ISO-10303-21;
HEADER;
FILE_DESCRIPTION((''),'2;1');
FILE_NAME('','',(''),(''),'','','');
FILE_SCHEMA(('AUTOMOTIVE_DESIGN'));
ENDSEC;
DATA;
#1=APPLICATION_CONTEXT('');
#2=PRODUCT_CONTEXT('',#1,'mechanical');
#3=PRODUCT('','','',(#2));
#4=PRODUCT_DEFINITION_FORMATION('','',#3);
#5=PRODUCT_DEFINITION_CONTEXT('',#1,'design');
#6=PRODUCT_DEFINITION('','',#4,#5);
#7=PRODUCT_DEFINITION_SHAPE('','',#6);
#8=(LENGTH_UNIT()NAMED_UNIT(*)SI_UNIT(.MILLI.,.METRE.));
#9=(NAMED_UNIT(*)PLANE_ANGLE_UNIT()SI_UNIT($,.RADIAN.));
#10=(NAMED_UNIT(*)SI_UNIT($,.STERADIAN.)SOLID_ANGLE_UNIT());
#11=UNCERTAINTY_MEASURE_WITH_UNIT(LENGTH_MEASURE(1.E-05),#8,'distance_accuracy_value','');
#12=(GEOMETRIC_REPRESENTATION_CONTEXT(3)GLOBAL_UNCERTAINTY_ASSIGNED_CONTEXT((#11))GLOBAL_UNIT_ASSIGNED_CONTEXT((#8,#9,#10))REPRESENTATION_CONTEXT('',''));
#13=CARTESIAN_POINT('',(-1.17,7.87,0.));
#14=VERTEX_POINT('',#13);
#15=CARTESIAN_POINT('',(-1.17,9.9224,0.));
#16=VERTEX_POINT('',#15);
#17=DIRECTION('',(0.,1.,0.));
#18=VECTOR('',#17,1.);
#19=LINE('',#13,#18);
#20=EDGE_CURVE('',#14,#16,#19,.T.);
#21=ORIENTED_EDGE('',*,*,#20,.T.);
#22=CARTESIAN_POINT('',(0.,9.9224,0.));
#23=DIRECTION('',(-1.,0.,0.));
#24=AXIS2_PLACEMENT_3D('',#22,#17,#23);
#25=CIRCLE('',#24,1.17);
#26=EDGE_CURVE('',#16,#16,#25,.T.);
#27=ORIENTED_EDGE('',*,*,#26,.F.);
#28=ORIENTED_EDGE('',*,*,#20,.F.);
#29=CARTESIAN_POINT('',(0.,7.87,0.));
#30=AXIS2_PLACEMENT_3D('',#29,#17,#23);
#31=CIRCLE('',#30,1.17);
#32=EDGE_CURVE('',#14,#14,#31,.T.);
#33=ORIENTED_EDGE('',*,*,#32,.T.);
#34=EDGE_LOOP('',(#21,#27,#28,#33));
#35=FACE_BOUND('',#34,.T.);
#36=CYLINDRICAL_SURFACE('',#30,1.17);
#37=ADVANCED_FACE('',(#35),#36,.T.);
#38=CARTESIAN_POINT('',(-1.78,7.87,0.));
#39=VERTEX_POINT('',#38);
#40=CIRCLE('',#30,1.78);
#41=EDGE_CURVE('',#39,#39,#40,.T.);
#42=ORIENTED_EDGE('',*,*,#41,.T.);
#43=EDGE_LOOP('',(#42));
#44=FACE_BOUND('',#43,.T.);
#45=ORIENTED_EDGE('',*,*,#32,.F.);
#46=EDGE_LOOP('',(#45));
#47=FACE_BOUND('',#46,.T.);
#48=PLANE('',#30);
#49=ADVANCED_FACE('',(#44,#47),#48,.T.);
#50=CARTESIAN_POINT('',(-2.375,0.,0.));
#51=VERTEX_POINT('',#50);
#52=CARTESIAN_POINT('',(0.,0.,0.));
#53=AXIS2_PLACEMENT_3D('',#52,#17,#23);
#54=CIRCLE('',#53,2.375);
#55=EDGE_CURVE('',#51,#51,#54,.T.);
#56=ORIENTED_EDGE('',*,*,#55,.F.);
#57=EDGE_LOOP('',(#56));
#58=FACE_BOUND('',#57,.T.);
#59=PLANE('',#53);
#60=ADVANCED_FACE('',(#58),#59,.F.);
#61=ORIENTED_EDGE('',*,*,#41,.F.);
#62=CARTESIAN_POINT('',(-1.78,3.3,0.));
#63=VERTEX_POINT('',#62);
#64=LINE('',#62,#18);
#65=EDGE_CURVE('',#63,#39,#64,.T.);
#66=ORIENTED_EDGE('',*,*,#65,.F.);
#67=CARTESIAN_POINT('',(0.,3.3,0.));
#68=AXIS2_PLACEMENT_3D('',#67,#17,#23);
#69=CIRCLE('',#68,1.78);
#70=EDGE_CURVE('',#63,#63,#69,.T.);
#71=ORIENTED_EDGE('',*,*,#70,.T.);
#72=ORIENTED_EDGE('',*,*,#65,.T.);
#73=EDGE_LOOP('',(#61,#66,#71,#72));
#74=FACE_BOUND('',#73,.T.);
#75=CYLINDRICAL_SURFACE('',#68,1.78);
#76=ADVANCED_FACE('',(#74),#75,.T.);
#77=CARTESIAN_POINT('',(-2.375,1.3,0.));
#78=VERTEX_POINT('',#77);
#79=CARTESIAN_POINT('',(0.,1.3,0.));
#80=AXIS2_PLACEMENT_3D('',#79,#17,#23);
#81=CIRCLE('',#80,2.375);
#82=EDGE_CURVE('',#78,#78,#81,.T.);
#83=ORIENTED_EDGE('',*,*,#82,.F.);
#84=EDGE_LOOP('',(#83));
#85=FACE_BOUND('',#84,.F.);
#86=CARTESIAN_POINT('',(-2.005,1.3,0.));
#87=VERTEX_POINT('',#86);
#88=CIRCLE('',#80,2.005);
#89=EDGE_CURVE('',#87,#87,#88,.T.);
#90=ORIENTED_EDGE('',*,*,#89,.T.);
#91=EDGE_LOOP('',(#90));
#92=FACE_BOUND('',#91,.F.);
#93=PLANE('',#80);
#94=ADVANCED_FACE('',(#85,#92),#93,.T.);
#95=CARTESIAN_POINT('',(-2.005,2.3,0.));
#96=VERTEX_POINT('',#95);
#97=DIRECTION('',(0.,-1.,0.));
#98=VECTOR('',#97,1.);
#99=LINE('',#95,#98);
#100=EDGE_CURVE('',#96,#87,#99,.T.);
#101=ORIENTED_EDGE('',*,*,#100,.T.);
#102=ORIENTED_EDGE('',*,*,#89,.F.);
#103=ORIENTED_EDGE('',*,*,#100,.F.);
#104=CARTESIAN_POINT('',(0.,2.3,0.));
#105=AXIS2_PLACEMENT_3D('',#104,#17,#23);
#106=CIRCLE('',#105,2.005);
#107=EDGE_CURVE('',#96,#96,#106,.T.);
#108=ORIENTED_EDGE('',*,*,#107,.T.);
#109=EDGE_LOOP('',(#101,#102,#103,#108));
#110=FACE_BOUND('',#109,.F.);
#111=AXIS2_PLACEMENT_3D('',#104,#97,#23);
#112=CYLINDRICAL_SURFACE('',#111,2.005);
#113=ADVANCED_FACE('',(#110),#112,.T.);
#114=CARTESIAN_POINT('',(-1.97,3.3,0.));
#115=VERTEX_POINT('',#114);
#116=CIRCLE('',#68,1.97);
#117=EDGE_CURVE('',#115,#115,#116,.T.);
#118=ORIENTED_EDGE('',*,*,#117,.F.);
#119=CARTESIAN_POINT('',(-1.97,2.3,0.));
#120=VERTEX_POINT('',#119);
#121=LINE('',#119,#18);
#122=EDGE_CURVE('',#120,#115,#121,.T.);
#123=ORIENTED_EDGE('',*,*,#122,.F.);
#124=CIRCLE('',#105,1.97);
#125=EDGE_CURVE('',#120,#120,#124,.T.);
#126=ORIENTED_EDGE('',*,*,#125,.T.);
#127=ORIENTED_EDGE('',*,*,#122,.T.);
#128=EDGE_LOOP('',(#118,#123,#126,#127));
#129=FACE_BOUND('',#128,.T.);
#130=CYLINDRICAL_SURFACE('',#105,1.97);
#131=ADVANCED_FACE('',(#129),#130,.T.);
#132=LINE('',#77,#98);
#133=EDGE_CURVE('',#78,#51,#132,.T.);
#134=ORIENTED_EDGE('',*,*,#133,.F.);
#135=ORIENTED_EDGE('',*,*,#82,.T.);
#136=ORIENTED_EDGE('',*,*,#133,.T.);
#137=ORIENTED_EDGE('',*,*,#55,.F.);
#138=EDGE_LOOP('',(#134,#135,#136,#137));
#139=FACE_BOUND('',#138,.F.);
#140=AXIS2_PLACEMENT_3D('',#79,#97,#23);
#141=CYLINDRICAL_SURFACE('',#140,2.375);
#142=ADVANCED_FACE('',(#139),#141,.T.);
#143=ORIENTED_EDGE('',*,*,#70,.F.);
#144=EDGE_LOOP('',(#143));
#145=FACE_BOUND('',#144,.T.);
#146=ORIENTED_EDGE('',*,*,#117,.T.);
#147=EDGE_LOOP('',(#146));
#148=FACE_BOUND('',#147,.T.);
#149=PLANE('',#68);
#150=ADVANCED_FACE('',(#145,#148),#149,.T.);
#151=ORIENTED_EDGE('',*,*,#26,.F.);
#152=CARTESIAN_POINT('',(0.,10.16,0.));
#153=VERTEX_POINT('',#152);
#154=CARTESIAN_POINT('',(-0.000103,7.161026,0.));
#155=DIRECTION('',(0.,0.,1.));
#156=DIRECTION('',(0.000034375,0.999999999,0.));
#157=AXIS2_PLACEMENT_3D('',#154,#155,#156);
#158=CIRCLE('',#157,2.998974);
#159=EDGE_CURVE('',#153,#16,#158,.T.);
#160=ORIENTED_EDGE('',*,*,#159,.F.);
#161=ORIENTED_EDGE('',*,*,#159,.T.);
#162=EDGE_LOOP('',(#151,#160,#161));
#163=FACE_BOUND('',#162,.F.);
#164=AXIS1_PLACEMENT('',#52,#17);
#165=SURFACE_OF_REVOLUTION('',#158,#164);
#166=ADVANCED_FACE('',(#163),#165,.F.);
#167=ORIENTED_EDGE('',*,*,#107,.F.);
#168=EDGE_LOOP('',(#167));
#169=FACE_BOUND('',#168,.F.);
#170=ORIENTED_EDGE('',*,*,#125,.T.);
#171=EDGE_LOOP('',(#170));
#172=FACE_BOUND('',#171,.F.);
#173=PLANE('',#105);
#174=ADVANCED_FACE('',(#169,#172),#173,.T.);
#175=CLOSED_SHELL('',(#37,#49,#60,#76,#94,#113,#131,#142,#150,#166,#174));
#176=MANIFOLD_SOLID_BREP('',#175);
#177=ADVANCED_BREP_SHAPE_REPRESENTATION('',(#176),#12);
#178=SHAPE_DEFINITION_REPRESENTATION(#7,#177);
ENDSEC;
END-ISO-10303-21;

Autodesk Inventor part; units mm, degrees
ref_plane "YZ Plane" through (0, 0, 0) normal (1, 0, 0) x (0, 1, 0)
ref_plane "XZ Plane" through (0, 0, 0) normal (0, 1, 0) x (-1, 0, 0)
ref_plane "XY Plane" through (0, 0, 0) normal (0, 0, 1) x (1, 0, 0)
sketch "Sketch1" plane through (0, 0, 0) normal (0, 0, 1) x (1, 0, 0)
  line L0 (0, 0) -> (-2.375, 0)
  line L1 (-1.97, 2.3) -> (-1.97, 3.3)
  line L2 (-1.97, 3.3) -> (-1.78, 3.3)
  line L3 (-1.78, 3.3) -> (-1.78, 7.87)
  line L4 (-1.78, 7.87) -> (-1.17, 7.87)
  line L5 (-1.17, 7.87) -> (-1.17, 9.9224)
  arc A0 (0, 10.16) -> (-1.17, 9.9224) centre (0, 7.16) ccw
  line L6 (0, 0) -> (0, 10.16)
  line L7 (-1.97, 2.3) -> (-2.005, 2.3)
  line L8 (-2.005, 2.3) -> (-2.005, 1.3)
  line L9 (-2.005, 1.3) -> (-2.375, 1.3)
  line L10 (-2.375, 1.3) -> (-2.375, 0)
  dimension "d0" = 1.17
  dimension "d1" = 1.78
  dimension "d2" = 1.97
  dimension "d3" = 2.005
  dimension "d4" = 2.375
  dimension "d5" = 1.3
  dimension "d6" = 7.87
  dimension "d7" = 2.29
  dimension "d8" = 1
  dimension "d9" = 1
  dimension "d10" = 3
revolve "Revolution1" add sketch "Sketch1" angle 360 about axis through (0, 0, 0) along (0, 1, 0)
properties part number "0871 Spring Loaded"
